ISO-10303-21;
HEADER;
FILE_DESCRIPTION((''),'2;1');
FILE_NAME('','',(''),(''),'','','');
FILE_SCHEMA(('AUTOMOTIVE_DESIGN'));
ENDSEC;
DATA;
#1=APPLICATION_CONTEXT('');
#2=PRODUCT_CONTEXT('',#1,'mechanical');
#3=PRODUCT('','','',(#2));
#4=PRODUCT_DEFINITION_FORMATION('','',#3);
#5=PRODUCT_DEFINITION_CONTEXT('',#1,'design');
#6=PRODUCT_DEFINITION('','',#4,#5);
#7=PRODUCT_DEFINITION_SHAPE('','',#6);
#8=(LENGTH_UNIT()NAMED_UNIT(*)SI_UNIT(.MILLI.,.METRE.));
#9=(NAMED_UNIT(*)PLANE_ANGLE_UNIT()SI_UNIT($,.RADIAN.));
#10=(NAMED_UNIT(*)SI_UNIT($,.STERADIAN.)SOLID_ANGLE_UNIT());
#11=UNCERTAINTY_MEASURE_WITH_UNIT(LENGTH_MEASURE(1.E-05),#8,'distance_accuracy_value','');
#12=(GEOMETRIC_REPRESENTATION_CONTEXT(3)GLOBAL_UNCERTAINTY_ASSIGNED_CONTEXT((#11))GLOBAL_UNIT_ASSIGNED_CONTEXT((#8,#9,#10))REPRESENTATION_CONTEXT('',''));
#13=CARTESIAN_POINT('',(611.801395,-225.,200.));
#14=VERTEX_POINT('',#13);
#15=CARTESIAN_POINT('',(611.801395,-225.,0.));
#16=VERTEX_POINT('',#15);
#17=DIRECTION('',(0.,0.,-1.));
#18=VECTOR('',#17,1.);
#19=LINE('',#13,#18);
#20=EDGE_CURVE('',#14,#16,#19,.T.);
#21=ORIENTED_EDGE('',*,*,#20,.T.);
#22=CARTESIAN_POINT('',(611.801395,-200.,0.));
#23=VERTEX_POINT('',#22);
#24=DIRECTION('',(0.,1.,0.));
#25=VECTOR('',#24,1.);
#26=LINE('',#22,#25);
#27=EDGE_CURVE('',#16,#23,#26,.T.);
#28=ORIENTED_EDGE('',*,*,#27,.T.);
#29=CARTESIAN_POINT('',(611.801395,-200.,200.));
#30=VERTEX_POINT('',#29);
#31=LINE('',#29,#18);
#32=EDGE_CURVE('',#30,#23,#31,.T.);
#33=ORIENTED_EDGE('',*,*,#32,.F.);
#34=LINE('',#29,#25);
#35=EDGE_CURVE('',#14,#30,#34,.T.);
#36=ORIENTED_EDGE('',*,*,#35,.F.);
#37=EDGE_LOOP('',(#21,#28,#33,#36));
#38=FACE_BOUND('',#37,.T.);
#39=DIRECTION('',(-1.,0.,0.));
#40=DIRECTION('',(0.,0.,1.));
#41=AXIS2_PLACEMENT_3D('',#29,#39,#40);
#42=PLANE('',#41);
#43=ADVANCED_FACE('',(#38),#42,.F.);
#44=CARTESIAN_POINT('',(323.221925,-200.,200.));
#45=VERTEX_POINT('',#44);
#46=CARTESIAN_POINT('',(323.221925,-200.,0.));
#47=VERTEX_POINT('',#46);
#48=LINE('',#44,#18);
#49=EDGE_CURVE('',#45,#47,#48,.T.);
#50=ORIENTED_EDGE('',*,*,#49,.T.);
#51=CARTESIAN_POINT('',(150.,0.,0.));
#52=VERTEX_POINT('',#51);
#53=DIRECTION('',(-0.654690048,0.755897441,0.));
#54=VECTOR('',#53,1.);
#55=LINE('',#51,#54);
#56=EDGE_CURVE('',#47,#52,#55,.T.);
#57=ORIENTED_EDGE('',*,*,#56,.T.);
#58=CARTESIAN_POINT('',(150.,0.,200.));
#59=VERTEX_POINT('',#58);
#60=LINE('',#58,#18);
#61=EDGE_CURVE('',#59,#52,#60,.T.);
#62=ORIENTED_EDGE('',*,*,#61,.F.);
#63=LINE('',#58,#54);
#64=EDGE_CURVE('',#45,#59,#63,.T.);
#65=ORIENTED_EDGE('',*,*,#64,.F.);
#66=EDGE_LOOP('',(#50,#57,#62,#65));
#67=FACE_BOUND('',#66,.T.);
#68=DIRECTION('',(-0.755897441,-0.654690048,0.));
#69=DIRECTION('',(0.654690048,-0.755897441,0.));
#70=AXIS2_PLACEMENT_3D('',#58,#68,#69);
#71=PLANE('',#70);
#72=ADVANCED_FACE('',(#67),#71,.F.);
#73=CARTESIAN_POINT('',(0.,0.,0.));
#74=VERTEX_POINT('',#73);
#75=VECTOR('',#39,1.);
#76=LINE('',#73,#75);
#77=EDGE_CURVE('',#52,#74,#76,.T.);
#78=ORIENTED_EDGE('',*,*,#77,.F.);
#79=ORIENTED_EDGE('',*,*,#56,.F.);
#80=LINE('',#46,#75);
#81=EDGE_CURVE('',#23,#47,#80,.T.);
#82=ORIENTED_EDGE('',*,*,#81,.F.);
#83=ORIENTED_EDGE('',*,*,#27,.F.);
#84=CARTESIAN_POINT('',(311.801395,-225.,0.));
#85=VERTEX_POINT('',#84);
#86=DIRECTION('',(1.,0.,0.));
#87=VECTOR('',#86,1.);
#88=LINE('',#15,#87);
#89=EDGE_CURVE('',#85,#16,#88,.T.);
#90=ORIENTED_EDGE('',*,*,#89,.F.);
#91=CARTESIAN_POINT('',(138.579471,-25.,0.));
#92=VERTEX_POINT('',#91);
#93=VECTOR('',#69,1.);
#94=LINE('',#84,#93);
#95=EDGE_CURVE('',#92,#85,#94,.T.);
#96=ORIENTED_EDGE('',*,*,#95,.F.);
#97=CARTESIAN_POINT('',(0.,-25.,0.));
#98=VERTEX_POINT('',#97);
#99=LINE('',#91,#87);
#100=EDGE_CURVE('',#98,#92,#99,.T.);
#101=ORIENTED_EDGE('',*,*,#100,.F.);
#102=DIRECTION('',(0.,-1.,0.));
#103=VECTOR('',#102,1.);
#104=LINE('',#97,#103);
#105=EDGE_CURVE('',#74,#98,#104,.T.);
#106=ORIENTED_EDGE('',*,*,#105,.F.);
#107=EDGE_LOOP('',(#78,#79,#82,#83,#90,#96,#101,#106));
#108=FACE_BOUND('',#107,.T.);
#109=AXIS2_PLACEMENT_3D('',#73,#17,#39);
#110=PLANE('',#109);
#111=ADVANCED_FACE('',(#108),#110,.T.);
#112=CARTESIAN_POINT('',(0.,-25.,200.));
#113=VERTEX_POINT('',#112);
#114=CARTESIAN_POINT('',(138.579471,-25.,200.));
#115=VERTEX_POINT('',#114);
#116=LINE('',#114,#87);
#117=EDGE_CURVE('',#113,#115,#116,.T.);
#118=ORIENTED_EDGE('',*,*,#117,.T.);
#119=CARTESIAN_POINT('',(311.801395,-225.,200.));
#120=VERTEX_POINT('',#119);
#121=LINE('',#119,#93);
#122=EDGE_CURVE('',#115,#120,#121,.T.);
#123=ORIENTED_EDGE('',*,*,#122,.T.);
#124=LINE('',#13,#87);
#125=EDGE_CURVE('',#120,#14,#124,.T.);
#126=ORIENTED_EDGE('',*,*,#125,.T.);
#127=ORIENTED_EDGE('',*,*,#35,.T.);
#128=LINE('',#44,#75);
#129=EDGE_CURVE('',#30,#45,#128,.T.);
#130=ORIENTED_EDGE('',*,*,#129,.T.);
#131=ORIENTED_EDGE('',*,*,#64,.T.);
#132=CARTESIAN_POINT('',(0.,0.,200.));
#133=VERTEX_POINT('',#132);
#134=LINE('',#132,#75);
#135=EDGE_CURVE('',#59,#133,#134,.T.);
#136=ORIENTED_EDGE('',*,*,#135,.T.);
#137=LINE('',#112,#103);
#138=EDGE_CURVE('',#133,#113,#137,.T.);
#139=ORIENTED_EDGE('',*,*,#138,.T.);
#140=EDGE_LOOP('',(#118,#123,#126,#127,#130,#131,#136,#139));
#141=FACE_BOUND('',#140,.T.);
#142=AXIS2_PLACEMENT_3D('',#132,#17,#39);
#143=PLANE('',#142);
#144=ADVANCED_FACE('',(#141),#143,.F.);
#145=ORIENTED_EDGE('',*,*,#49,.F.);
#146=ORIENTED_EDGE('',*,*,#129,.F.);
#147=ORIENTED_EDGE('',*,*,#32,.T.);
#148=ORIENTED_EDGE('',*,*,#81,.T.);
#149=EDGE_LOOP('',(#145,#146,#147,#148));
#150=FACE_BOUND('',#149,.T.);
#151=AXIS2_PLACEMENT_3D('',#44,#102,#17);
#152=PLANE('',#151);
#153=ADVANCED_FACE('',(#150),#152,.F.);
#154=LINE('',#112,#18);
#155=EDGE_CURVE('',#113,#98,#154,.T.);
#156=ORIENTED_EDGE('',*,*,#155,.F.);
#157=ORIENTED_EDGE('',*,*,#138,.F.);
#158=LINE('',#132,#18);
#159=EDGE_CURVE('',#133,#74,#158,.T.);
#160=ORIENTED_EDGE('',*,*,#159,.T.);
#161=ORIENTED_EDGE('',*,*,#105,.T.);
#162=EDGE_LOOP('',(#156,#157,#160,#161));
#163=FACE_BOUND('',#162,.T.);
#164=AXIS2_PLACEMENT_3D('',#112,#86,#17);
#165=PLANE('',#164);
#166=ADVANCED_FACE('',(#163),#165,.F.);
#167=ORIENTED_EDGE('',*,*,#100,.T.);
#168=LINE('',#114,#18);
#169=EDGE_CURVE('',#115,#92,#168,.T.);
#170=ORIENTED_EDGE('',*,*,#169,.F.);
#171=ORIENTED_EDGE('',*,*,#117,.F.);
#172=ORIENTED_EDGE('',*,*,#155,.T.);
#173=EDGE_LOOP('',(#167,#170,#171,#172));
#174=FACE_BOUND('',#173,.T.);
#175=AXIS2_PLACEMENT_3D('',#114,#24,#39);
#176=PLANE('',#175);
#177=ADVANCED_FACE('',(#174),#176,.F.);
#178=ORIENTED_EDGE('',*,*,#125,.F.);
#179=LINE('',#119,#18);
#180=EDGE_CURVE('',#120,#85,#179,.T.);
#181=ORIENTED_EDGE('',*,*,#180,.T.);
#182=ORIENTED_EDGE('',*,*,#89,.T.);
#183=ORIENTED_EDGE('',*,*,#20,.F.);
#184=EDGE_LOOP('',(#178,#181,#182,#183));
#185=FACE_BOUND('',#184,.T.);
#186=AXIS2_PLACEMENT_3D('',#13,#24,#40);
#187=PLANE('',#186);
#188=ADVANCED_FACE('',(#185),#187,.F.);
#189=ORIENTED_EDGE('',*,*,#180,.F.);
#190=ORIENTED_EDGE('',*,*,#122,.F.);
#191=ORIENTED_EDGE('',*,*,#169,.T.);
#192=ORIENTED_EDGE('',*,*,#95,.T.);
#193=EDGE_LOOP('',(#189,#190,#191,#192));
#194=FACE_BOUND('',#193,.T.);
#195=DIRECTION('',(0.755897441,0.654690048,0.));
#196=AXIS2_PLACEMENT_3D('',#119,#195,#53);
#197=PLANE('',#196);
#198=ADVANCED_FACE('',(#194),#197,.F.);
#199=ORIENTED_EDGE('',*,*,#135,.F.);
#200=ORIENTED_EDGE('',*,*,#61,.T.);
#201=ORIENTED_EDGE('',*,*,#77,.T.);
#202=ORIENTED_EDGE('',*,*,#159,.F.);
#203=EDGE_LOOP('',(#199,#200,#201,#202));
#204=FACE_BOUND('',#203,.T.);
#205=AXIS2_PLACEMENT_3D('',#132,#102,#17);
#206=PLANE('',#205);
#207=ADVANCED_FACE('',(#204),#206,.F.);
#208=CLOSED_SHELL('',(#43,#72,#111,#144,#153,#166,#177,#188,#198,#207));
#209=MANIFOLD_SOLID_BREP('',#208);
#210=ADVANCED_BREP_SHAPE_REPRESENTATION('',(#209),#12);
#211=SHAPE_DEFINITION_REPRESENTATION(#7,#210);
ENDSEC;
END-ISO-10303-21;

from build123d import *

# Parameters (mm, degrees)
BOSS_EXTRUDE2_DEPTH = 200


with BuildPart() as part:
    # Sketch2 → Boss-Extrude2 (new body)
    with BuildSketch(Plane.XY):
        Polygon((0, 0), (150, 0), (323.221924627, -200), (611.801395417, -200), (611.801395417, -225), (311.801395417, -225), (138.579470789, -25), (0, -25), align=None)
    extrude(amount=BOSS_EXTRUDE2_DEPTH)


solid = part.part
